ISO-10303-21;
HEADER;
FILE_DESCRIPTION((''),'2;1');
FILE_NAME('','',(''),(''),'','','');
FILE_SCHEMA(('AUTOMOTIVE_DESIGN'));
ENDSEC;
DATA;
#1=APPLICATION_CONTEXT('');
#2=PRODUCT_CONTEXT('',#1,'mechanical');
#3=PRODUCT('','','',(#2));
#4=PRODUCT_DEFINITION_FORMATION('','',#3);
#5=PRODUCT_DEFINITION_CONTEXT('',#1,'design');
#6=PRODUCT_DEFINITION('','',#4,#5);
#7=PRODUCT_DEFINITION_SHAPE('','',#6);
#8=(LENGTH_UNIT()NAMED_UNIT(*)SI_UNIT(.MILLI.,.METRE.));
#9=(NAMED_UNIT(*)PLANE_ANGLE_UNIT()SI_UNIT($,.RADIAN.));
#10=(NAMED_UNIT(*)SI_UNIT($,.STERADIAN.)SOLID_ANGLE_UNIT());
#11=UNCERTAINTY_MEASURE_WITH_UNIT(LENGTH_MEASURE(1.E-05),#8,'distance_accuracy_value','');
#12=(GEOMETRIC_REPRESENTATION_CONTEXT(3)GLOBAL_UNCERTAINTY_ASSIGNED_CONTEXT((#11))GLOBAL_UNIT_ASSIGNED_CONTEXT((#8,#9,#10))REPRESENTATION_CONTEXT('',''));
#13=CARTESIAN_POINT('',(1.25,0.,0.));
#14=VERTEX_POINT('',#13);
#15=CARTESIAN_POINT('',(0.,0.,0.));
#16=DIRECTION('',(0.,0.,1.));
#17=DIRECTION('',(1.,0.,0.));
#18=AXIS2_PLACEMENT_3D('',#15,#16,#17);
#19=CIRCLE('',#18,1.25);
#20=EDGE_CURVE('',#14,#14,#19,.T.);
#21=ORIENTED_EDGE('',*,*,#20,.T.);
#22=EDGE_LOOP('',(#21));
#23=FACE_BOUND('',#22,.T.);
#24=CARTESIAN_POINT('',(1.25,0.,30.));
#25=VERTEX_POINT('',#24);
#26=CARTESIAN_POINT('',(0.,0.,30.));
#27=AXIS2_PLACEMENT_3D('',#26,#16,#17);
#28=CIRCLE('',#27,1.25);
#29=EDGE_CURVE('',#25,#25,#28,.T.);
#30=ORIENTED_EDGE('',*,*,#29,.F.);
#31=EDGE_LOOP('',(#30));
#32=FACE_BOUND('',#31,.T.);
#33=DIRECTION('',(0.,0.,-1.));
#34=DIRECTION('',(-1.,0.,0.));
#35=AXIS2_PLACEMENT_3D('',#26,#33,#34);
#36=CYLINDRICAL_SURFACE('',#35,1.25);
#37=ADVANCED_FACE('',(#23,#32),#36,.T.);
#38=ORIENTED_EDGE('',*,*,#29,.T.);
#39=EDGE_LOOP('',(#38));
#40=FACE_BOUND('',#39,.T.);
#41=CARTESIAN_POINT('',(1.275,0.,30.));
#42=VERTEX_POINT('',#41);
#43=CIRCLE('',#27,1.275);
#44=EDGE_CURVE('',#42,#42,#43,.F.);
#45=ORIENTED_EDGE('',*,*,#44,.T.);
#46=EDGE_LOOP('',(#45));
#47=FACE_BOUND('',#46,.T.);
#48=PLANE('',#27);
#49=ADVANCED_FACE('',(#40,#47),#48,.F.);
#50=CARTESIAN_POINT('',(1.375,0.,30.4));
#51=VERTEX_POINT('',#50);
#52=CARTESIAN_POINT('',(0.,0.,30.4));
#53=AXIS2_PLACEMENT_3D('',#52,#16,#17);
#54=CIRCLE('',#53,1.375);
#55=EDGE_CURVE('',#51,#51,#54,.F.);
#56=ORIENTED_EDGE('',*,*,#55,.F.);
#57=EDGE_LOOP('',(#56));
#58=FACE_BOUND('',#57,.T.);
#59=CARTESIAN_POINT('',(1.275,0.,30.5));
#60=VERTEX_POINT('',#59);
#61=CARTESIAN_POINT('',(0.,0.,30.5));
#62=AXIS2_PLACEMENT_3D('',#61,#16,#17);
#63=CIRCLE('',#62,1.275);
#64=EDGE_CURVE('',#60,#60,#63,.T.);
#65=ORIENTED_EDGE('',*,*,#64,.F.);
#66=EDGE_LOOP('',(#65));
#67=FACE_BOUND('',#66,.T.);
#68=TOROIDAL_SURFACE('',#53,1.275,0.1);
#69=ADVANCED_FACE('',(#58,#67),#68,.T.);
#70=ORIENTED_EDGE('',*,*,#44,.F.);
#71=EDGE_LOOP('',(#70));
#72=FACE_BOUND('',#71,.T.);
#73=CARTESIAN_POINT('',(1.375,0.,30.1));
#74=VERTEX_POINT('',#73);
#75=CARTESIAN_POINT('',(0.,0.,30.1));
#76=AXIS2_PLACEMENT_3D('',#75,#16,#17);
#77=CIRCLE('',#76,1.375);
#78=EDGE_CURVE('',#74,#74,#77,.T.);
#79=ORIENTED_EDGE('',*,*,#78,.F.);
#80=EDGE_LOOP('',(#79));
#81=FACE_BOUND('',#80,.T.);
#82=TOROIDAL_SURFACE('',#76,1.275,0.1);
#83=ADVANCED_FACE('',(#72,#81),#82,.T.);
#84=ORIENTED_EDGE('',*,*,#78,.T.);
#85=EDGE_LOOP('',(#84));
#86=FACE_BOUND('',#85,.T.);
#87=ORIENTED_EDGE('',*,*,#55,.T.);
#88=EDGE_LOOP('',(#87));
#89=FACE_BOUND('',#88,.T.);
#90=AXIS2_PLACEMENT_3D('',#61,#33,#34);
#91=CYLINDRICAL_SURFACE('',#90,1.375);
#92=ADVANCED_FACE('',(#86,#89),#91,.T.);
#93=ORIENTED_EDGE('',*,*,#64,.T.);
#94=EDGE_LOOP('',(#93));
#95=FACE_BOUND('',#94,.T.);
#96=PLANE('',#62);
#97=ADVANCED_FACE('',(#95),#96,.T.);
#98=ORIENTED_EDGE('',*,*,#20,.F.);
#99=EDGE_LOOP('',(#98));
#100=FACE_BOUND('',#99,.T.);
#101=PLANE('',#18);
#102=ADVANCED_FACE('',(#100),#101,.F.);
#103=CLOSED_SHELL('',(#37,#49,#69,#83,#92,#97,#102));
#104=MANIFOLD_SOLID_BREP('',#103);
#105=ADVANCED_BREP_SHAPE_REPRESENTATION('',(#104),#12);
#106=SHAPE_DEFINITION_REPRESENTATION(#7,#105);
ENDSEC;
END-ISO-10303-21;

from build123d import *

# Parameters (mm, degrees)
SKETCH2_R           = 1.25
BOSS_EXTRUDE1_DEPTH = 30
SKETCH3_R           = 1.375
BOSS_EXTRUDE2_DEPTH = 0.5
FILLET1_R           = 0.1


with BuildPart() as part:
    # Sketch2 → Boss-Extrude1 (new body)
    with BuildSketch(Plane.XY):
        Circle(SKETCH2_R)
    extrude(amount=BOSS_EXTRUDE1_DEPTH)

    # Sketch3 → Boss-Extrude2 (add)
    with BuildSketch(Plane.XY.offset(30)):
        Circle(SKETCH3_R)
    extrude(amount=BOSS_EXTRUDE2_DEPTH)

    # Fillet1
    fillet1_edges = [part.edges().sort_by_distance(p)[0] for p in [
        (-1.375, 0, 30),
        (-1.375, 0, 30.5),
    ]]
    fillet(fillet1_edges, radius=FILLET1_R)


solid = part.part
